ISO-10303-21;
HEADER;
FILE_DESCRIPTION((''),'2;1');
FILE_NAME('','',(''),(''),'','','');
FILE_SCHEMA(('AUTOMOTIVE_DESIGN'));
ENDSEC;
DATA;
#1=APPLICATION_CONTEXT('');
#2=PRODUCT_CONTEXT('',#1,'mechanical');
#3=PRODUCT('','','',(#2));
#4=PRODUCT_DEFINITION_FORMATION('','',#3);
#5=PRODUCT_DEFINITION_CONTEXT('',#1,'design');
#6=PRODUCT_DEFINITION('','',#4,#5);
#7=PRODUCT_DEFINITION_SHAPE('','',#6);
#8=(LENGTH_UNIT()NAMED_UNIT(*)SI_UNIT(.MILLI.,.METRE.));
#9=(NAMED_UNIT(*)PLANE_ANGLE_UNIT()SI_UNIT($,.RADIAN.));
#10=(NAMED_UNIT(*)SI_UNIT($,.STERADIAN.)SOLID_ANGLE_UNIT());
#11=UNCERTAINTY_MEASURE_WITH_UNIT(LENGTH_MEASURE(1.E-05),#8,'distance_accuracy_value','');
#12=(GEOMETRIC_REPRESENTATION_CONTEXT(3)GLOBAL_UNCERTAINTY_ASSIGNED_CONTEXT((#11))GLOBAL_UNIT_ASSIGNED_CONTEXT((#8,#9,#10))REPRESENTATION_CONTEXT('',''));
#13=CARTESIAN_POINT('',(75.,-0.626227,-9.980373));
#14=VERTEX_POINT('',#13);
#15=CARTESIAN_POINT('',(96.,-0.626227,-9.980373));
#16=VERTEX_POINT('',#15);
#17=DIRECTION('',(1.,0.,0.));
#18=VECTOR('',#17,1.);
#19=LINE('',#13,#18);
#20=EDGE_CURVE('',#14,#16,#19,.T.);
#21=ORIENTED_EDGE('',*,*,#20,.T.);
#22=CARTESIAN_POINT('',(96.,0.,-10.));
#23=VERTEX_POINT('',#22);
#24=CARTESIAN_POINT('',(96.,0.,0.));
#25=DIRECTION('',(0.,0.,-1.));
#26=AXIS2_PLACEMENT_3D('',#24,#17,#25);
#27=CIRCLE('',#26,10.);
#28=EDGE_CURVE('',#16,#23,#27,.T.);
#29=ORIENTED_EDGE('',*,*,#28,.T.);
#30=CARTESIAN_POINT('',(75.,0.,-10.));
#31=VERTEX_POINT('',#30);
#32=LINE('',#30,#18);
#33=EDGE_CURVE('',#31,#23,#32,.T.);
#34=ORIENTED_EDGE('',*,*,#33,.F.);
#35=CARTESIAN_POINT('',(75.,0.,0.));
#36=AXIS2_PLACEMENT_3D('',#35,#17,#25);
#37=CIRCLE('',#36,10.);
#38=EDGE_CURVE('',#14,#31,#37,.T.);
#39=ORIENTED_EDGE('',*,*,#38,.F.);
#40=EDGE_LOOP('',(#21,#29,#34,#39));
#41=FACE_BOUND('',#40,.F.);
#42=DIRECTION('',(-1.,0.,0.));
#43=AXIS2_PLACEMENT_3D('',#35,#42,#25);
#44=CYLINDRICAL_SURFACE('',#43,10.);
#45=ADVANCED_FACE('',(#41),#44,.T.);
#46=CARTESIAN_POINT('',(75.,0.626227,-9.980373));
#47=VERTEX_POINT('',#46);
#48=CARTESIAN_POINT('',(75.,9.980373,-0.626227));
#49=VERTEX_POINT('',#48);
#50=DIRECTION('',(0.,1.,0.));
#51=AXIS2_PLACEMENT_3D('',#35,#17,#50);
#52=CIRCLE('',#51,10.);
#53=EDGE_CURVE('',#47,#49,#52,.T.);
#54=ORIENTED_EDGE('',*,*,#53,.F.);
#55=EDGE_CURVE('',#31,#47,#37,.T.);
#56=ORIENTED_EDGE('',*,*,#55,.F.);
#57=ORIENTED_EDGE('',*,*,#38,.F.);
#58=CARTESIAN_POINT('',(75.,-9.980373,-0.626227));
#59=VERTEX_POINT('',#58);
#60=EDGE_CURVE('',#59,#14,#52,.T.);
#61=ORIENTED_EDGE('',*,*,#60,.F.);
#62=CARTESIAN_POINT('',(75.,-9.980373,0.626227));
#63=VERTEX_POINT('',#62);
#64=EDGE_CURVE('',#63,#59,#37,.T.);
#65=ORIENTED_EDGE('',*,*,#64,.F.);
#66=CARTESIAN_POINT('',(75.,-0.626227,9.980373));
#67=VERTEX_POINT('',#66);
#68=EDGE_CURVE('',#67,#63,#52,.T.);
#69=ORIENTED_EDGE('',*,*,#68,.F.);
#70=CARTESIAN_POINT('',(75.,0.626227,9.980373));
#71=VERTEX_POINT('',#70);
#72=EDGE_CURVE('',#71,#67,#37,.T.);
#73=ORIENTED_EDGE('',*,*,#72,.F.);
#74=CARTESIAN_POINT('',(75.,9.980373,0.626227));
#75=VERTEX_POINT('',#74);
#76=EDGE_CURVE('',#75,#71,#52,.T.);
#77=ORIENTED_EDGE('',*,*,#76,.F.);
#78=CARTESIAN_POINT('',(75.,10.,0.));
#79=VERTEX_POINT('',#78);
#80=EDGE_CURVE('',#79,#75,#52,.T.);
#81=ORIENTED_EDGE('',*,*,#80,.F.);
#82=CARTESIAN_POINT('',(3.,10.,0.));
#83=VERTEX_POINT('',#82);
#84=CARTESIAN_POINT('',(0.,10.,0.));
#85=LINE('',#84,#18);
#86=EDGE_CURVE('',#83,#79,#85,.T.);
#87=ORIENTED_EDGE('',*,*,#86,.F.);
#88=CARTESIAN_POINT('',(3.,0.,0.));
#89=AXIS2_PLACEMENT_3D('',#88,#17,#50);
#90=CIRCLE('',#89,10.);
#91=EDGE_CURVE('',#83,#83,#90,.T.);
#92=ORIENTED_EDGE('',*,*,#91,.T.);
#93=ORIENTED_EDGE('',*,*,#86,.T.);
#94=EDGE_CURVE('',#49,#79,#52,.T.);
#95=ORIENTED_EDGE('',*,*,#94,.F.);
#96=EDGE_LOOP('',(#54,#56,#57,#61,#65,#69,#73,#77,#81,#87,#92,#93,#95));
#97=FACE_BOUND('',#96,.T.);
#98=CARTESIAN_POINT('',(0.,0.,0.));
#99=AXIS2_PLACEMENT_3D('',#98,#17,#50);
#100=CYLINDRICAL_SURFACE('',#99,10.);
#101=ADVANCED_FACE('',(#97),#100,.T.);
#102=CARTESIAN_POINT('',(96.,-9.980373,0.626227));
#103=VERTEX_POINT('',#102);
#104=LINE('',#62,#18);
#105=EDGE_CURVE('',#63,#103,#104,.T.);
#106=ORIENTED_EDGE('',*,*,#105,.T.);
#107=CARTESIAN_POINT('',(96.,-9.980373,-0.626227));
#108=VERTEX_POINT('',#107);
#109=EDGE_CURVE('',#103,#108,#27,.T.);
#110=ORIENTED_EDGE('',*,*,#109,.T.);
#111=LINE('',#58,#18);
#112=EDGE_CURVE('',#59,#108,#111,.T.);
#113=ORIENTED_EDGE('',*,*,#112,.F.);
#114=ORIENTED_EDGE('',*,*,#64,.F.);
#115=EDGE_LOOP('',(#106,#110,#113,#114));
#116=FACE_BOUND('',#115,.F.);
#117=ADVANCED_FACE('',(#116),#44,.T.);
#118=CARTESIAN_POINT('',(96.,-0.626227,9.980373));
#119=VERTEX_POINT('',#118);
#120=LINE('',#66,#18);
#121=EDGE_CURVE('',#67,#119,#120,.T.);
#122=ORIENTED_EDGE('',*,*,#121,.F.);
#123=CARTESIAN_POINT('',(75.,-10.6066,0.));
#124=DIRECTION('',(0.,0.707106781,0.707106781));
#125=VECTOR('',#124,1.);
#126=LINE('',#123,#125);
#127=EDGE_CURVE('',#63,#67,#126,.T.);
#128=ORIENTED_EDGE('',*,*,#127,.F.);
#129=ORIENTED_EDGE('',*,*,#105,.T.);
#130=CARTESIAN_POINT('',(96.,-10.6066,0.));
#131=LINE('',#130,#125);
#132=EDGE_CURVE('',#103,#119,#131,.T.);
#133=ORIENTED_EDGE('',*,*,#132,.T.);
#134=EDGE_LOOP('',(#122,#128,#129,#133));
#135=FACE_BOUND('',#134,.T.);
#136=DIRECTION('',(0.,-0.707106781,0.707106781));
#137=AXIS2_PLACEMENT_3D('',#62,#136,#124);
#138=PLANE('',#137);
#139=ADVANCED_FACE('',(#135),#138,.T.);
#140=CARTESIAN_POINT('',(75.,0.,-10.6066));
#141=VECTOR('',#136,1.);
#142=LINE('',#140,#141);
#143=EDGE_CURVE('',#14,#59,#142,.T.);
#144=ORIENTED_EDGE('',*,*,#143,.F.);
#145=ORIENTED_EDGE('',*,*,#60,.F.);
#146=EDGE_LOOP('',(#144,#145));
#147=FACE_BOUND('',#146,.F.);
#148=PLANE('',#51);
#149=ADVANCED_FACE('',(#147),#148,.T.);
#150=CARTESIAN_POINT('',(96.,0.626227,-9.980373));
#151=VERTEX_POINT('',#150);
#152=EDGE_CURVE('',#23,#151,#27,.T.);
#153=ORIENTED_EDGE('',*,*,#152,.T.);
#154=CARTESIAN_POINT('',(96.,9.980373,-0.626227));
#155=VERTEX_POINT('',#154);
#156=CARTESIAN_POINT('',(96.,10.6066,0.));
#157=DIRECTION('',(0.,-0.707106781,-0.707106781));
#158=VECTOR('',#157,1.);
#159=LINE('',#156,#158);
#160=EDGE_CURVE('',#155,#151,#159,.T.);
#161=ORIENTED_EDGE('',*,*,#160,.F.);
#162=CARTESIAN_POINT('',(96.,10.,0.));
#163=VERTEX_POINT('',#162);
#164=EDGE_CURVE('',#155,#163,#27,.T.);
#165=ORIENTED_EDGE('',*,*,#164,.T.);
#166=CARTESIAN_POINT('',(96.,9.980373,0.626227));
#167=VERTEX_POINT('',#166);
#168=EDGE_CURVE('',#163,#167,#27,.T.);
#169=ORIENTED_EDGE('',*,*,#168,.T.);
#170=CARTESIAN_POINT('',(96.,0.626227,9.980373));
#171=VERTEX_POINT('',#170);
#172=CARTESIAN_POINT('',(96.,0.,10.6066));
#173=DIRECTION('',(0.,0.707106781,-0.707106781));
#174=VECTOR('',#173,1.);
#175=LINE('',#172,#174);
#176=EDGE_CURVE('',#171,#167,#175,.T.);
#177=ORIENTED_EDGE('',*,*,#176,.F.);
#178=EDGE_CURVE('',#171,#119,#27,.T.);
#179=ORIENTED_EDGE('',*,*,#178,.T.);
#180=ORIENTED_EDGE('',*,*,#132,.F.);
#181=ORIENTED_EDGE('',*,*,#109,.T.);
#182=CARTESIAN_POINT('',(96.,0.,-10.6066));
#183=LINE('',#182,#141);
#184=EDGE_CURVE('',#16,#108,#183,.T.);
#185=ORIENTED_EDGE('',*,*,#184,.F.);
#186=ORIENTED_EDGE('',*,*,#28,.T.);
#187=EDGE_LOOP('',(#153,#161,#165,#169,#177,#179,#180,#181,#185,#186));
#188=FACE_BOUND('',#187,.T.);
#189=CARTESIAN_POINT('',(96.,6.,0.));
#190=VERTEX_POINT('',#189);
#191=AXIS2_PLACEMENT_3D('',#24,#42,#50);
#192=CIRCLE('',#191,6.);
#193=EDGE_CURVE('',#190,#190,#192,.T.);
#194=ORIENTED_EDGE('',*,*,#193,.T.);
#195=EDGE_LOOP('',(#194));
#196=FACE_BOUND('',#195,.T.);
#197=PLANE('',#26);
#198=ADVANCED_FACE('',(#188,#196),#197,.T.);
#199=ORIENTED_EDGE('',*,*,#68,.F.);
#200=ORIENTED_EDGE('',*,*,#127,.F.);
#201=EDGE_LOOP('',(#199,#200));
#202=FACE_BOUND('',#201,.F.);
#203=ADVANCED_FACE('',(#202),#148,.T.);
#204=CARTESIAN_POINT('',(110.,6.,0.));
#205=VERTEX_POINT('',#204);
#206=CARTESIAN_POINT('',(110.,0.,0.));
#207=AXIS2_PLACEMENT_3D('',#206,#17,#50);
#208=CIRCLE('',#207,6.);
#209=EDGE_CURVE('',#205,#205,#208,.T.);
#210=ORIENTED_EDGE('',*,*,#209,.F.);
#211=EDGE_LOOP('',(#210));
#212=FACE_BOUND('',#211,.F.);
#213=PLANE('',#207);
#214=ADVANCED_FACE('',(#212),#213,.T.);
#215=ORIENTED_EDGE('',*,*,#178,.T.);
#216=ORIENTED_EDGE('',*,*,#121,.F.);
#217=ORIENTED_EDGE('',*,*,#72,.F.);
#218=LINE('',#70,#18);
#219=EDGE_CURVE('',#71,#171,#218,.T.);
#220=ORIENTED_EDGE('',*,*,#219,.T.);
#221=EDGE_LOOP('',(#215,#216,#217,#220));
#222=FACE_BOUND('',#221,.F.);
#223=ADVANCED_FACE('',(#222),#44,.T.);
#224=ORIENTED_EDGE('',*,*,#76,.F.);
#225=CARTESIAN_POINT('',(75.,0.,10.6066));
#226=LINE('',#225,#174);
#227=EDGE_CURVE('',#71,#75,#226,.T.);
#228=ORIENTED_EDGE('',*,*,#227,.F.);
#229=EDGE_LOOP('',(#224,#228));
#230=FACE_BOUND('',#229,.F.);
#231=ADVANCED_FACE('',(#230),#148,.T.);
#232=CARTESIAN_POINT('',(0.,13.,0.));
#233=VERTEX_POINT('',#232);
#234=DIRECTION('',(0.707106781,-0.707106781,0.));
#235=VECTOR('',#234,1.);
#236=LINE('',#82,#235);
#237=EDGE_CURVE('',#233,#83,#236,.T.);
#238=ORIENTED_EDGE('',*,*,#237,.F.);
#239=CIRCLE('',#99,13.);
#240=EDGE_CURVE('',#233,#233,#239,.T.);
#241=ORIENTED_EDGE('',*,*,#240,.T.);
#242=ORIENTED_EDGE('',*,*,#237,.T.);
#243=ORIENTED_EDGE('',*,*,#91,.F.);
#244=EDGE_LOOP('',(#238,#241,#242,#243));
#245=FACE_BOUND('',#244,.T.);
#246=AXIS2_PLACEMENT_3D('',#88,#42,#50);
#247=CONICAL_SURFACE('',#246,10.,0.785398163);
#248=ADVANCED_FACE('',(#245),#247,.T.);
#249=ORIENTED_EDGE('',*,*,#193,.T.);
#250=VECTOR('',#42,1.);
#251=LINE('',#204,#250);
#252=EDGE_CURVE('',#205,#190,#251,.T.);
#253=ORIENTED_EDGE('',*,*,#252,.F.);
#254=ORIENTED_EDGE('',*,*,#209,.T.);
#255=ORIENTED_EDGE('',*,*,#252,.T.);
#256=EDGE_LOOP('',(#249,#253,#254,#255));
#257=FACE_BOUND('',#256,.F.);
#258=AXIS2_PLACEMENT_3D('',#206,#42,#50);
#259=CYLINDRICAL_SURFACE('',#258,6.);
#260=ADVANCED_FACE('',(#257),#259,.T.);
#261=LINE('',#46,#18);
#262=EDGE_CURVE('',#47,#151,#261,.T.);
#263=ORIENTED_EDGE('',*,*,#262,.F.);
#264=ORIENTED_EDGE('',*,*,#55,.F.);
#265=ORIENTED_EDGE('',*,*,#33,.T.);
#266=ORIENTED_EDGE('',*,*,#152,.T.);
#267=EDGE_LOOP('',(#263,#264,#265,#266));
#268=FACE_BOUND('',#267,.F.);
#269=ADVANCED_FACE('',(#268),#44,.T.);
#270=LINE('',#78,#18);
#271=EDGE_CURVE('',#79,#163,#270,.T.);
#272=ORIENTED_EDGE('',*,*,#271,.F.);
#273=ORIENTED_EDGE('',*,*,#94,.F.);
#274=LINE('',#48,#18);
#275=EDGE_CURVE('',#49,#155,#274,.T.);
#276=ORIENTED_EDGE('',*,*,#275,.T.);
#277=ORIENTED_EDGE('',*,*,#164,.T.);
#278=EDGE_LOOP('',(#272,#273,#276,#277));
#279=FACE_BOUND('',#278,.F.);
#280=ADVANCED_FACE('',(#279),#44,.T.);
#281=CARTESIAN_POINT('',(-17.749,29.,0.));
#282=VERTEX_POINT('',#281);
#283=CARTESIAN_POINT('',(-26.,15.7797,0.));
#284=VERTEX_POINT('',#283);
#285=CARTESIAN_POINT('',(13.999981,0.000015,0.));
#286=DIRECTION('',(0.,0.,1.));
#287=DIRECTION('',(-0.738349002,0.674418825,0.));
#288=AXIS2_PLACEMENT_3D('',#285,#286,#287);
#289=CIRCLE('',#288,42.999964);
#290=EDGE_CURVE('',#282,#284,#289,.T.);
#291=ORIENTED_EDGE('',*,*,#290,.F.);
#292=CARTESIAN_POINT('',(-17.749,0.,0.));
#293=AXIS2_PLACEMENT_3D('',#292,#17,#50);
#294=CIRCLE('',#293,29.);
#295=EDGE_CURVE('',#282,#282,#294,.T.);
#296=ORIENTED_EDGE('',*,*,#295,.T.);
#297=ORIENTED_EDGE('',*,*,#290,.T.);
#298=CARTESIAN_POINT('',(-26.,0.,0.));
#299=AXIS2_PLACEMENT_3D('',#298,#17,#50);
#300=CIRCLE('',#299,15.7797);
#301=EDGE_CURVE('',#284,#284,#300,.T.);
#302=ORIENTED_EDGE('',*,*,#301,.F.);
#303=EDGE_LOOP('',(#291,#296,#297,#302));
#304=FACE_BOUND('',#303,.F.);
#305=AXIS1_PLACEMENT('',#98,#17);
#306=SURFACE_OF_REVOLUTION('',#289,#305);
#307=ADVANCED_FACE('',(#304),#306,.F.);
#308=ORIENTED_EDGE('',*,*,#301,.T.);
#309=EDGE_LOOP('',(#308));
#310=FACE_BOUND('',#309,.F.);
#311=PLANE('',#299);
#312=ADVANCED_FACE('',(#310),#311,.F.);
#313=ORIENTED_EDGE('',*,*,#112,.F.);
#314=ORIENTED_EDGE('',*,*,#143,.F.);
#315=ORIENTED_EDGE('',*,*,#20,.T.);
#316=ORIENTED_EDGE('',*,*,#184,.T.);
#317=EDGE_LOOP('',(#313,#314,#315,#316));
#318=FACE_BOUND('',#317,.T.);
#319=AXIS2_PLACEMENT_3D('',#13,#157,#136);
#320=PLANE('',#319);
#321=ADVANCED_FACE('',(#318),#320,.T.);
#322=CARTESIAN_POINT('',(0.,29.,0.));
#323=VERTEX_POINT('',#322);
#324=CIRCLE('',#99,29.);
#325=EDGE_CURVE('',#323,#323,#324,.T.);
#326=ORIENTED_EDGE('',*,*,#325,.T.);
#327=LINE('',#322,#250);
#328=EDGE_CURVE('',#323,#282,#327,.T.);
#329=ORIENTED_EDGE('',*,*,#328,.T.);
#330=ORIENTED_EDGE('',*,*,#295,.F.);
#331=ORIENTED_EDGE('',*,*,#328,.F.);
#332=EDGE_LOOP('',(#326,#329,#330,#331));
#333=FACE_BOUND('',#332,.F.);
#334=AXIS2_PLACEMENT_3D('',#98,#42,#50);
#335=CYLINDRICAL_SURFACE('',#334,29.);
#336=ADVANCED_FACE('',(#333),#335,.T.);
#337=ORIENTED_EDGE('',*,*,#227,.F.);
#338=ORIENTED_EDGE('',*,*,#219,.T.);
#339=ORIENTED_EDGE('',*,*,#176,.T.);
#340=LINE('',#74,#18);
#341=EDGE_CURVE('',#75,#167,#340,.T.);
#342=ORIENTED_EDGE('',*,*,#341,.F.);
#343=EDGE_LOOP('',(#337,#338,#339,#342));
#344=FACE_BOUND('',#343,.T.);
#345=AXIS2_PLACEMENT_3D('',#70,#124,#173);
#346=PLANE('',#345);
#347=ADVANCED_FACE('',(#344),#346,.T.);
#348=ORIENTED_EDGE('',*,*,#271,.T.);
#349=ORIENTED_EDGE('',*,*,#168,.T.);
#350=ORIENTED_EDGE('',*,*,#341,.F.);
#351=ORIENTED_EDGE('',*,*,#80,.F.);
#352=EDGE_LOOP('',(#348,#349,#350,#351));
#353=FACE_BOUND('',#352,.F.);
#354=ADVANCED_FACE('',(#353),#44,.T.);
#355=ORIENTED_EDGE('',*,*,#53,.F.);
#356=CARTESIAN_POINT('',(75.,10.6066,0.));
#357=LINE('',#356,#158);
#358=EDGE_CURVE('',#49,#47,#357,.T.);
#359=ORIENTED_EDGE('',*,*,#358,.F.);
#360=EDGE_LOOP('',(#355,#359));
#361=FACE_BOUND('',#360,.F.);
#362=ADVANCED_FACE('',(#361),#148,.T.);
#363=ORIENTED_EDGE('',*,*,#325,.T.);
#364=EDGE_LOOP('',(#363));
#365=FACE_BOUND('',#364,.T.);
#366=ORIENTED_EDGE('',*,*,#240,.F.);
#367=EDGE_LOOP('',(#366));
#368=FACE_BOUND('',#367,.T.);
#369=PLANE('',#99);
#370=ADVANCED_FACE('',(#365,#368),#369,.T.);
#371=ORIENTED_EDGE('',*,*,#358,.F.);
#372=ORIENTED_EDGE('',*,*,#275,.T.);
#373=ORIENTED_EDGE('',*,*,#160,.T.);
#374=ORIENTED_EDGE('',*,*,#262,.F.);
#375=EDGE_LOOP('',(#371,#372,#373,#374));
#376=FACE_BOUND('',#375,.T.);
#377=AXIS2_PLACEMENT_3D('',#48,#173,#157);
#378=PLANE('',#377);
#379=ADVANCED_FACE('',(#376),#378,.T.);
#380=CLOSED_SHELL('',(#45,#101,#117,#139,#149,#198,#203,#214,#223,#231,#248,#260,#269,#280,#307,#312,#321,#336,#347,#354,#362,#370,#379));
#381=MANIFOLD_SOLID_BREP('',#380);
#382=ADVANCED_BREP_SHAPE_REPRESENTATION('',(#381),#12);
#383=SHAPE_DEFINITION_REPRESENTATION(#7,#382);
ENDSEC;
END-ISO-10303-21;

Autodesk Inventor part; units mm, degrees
ref_plane "YZ Plane" through (0, 0, 0) normal (1, 0, 0) x (0, 1, 0)
ref_plane "XZ Plane" through (0, 0, 0) normal (0, 1, 0) x (-1, 0, 0)
ref_plane "XY Plane" through (0, 0, 0) normal (0, 0, 1) x (1, 0, 0)
sketch "草图1" plane through (0, 0, 0) normal (0, 0, 1) x (1, 0, 0)
  line L0 (0, 29) -> (0, 10)
  line L1 (0, 10) -> (75, 10)
  line L2 (0, 0) -> (110, 0)
  line L3 (110, 0) -> (110, 6)
  line L4 (110, 6) -> (75, 6)
  line L5 (75, 6) -> (75, 10)
  arc A0 (-17.749, 29) -> (-26, 15.7797) centre (14, 0) ccw
  line L6 (0, 29) -> (-17.749, 29)
  line L7 (0, 0) -> (-29, 0)
  line L8 (-26, 15.7797) -> (-26, 0)
  dimension "d0" = 110
  dimension "d1" = 10
  dimension "d2" = 6
  dimension "d4" = 86
  dimension "d5" = 29
  dimension "d8" = 35
  dimension "d14" = 26
  dimension "d15" = 14
revolve "旋转1" add sketch "草图1" angle 360 about axis through (0, 0, 0) along (1, 0, 0)
sketch "草图2" plane through (75, 0, 0) normal (1, 0, 0) x (0, 0, -1)
  circle A0 centre (0, 0) radius 29 projected
  line L0 (0, 10.6066) -> (10.6066, 0)
  line L1 (10.6066, 0) -> (0, -10.6066)
  line L2 (0, -10.6066) -> (-10.6066, 0)
  line L3 (-10.6066, 0) -> (0, 10.6066)
  line L4 (0, 0) -> (0, 10)
  circle A1 centre (0, 0) radius 10 projected
  point P0 (0.6262, 9.9804)
  point P1 (-0.6262, 9.9804)
  point P2 (-9.9804, 0.6262)
  point P3 (-9.9804, -0.6262)
  point P4 (-0.6262, -9.9804)
  point P5 (0.6262, -9.9804)
  point P6 (9.9804, -0.6262)
  point P7 (9.9804, 0.6262)
  dimension "d9" = 7.5
extrude "拉伸1" add sketch "草图2" along normal blind 21 contours L0 A1 L1 L2 L3
thread "螺纹1" size "M12x1.75" designation "M12" class "6g" standard "GB Metric profile" full length
chamfer "倒角1" distance 3 angle 45 1 edges at (0, -10, 0)
properties part number "塞杆" material "不锈钢"
